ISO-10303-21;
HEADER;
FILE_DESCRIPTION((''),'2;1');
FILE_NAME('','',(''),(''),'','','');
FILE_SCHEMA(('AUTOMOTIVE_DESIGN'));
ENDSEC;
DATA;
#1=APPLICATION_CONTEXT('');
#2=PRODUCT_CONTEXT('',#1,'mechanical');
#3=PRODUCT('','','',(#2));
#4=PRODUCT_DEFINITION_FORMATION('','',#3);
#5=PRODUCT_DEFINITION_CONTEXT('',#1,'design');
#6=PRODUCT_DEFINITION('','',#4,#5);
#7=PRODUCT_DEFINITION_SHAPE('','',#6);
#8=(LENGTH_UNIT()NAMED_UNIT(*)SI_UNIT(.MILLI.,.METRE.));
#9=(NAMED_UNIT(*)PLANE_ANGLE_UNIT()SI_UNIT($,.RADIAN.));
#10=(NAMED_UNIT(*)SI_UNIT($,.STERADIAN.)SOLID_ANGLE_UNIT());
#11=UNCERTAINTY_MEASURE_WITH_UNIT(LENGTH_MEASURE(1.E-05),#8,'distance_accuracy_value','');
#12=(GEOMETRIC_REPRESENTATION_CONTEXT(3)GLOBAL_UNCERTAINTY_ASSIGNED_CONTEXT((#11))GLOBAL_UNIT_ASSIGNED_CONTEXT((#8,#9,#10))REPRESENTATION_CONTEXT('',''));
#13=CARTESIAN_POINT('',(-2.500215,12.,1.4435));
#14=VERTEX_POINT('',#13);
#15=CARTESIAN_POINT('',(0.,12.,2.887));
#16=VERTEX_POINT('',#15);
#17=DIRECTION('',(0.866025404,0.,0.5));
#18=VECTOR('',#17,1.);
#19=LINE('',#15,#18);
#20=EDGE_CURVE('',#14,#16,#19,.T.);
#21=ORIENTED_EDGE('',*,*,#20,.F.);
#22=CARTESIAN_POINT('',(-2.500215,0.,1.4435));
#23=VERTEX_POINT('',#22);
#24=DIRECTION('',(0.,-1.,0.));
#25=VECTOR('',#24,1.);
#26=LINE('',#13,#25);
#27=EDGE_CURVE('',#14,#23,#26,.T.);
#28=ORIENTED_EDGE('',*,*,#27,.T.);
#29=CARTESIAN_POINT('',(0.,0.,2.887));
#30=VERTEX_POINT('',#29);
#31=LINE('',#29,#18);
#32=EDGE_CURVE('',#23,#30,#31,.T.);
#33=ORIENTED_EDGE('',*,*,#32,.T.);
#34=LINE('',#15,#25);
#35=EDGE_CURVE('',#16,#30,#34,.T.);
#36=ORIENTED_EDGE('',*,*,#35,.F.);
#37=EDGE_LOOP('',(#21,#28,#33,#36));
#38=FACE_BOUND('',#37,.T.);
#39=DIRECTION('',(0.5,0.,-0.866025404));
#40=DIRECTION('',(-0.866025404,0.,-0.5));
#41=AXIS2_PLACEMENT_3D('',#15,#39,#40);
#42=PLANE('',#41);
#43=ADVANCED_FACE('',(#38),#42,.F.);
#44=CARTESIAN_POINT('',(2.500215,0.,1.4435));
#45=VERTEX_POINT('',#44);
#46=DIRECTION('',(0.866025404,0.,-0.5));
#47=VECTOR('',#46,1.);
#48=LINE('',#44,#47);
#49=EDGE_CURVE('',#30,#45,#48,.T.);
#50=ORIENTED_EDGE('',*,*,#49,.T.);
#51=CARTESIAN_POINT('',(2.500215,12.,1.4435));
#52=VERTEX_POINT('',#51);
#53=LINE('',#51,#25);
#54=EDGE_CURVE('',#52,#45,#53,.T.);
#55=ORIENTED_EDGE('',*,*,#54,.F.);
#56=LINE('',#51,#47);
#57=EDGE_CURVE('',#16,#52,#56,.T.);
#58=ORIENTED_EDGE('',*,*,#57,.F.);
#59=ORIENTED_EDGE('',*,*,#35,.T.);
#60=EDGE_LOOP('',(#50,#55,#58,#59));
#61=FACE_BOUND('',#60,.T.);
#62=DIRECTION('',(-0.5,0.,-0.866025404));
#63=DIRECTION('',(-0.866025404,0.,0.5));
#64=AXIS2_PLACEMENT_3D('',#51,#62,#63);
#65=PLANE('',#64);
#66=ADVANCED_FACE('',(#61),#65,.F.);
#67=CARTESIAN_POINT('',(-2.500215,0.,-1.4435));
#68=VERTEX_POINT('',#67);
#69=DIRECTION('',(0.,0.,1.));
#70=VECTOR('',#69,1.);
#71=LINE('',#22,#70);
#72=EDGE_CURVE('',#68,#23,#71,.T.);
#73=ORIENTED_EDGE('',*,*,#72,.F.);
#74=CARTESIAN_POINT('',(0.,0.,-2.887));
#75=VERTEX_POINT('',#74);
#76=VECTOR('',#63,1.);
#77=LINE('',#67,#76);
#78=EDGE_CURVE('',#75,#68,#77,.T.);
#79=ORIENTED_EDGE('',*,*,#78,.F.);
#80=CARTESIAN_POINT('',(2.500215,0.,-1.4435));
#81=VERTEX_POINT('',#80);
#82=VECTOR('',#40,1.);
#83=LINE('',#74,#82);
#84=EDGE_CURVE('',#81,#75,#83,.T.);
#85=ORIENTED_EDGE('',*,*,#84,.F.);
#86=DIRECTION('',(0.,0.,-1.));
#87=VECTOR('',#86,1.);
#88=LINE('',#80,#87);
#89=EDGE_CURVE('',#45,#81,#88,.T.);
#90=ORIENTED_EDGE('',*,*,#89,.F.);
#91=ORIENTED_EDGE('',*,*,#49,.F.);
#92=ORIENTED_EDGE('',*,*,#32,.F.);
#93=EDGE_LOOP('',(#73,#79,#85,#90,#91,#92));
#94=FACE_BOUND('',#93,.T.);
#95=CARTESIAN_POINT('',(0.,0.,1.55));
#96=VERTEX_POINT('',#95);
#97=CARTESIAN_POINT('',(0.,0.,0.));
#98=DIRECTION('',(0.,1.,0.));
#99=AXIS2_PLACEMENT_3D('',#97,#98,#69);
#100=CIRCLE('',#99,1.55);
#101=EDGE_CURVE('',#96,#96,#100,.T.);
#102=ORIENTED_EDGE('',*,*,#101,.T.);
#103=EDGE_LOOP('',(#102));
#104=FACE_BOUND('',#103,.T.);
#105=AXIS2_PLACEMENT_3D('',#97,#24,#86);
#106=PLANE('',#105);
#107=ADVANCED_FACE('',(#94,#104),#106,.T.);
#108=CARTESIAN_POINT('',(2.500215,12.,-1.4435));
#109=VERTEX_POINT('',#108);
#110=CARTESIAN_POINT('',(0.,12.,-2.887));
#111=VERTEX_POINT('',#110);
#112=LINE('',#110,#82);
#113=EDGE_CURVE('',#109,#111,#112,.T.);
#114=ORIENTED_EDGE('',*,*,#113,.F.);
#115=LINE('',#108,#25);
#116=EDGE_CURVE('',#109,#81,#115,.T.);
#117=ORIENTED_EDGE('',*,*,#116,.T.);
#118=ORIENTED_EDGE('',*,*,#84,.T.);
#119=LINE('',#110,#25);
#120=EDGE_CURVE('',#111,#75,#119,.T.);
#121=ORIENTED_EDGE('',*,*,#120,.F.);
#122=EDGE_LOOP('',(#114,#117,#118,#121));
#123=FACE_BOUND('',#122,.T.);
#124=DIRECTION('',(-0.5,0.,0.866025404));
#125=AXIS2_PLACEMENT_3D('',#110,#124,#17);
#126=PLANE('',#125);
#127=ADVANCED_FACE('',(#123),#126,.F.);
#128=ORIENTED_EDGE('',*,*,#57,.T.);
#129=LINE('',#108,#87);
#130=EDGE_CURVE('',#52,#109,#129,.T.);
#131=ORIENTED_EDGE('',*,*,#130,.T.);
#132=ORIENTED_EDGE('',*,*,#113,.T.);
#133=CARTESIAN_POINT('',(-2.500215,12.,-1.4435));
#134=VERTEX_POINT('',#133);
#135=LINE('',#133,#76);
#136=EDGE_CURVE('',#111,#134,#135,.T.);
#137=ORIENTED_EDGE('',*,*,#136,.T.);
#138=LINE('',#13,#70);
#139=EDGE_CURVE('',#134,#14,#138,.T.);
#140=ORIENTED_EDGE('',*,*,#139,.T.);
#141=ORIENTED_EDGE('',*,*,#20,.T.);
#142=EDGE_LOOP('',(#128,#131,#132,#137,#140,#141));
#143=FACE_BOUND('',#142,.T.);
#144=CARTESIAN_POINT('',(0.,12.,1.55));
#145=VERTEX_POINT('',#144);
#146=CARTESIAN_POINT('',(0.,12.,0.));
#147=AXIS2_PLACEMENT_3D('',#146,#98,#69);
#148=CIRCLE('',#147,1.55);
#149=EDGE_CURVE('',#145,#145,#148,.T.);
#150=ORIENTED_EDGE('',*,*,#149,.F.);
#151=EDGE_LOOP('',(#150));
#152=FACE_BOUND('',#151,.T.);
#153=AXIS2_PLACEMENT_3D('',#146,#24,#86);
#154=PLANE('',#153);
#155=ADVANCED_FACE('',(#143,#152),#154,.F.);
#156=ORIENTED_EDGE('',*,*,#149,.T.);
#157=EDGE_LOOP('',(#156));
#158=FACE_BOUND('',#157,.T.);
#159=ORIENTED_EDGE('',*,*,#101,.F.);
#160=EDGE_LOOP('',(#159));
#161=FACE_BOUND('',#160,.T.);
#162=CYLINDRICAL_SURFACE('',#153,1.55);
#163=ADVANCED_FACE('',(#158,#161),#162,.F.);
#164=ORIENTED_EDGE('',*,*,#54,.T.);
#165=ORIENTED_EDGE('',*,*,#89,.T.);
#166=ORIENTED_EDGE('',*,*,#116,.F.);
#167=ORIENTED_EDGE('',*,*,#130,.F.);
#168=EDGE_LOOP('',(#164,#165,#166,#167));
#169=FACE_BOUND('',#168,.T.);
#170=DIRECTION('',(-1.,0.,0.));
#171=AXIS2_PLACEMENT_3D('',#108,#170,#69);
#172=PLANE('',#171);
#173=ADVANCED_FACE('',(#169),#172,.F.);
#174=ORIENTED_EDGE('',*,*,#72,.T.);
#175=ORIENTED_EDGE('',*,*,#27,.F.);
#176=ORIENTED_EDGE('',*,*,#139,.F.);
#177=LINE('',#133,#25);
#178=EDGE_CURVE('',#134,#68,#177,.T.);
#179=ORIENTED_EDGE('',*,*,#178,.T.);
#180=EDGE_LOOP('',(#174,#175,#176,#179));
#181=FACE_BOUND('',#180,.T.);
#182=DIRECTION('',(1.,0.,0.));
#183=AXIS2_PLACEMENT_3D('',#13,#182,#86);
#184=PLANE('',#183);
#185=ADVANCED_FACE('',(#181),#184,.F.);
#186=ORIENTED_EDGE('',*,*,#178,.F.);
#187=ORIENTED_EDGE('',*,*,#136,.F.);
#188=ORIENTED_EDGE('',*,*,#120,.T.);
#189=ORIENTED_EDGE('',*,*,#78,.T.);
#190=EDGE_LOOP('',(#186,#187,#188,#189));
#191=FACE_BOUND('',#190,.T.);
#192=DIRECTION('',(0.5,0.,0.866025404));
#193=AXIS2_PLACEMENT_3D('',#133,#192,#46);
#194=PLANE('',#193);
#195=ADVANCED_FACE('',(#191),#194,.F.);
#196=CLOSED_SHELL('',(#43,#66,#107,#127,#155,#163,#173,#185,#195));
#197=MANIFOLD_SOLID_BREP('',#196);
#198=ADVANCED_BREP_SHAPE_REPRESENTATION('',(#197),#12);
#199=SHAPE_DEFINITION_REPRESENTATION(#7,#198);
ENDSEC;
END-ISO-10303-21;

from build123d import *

# Parameters (mm, degrees)
SKETCH1_R           = 1.55
BOSS_EXTRUDE1_DEPTH = 12


with BuildPart() as part:
    # Sketch1 → Boss-Extrude1 (new body)
    with BuildSketch(Plane(origin=(0, 0, 0), x_dir=(1, 0, 0), z_dir=(0, 1, 0))):
        Polygon((0, 2.887), (2.500215341, 1.4435), (2.500215341, -1.4435), (0, -2.887), (-2.500215341, -1.4435), (-2.500215341, 1.4435), align=None)
        with Locations(Location((0, 0, 0), (0, 0, 270))):
            Circle(SKETCH1_R, mode=Mode.SUBTRACT)
    extrude(amount=BOSS_EXTRUDE1_DEPTH)


solid = part.part
